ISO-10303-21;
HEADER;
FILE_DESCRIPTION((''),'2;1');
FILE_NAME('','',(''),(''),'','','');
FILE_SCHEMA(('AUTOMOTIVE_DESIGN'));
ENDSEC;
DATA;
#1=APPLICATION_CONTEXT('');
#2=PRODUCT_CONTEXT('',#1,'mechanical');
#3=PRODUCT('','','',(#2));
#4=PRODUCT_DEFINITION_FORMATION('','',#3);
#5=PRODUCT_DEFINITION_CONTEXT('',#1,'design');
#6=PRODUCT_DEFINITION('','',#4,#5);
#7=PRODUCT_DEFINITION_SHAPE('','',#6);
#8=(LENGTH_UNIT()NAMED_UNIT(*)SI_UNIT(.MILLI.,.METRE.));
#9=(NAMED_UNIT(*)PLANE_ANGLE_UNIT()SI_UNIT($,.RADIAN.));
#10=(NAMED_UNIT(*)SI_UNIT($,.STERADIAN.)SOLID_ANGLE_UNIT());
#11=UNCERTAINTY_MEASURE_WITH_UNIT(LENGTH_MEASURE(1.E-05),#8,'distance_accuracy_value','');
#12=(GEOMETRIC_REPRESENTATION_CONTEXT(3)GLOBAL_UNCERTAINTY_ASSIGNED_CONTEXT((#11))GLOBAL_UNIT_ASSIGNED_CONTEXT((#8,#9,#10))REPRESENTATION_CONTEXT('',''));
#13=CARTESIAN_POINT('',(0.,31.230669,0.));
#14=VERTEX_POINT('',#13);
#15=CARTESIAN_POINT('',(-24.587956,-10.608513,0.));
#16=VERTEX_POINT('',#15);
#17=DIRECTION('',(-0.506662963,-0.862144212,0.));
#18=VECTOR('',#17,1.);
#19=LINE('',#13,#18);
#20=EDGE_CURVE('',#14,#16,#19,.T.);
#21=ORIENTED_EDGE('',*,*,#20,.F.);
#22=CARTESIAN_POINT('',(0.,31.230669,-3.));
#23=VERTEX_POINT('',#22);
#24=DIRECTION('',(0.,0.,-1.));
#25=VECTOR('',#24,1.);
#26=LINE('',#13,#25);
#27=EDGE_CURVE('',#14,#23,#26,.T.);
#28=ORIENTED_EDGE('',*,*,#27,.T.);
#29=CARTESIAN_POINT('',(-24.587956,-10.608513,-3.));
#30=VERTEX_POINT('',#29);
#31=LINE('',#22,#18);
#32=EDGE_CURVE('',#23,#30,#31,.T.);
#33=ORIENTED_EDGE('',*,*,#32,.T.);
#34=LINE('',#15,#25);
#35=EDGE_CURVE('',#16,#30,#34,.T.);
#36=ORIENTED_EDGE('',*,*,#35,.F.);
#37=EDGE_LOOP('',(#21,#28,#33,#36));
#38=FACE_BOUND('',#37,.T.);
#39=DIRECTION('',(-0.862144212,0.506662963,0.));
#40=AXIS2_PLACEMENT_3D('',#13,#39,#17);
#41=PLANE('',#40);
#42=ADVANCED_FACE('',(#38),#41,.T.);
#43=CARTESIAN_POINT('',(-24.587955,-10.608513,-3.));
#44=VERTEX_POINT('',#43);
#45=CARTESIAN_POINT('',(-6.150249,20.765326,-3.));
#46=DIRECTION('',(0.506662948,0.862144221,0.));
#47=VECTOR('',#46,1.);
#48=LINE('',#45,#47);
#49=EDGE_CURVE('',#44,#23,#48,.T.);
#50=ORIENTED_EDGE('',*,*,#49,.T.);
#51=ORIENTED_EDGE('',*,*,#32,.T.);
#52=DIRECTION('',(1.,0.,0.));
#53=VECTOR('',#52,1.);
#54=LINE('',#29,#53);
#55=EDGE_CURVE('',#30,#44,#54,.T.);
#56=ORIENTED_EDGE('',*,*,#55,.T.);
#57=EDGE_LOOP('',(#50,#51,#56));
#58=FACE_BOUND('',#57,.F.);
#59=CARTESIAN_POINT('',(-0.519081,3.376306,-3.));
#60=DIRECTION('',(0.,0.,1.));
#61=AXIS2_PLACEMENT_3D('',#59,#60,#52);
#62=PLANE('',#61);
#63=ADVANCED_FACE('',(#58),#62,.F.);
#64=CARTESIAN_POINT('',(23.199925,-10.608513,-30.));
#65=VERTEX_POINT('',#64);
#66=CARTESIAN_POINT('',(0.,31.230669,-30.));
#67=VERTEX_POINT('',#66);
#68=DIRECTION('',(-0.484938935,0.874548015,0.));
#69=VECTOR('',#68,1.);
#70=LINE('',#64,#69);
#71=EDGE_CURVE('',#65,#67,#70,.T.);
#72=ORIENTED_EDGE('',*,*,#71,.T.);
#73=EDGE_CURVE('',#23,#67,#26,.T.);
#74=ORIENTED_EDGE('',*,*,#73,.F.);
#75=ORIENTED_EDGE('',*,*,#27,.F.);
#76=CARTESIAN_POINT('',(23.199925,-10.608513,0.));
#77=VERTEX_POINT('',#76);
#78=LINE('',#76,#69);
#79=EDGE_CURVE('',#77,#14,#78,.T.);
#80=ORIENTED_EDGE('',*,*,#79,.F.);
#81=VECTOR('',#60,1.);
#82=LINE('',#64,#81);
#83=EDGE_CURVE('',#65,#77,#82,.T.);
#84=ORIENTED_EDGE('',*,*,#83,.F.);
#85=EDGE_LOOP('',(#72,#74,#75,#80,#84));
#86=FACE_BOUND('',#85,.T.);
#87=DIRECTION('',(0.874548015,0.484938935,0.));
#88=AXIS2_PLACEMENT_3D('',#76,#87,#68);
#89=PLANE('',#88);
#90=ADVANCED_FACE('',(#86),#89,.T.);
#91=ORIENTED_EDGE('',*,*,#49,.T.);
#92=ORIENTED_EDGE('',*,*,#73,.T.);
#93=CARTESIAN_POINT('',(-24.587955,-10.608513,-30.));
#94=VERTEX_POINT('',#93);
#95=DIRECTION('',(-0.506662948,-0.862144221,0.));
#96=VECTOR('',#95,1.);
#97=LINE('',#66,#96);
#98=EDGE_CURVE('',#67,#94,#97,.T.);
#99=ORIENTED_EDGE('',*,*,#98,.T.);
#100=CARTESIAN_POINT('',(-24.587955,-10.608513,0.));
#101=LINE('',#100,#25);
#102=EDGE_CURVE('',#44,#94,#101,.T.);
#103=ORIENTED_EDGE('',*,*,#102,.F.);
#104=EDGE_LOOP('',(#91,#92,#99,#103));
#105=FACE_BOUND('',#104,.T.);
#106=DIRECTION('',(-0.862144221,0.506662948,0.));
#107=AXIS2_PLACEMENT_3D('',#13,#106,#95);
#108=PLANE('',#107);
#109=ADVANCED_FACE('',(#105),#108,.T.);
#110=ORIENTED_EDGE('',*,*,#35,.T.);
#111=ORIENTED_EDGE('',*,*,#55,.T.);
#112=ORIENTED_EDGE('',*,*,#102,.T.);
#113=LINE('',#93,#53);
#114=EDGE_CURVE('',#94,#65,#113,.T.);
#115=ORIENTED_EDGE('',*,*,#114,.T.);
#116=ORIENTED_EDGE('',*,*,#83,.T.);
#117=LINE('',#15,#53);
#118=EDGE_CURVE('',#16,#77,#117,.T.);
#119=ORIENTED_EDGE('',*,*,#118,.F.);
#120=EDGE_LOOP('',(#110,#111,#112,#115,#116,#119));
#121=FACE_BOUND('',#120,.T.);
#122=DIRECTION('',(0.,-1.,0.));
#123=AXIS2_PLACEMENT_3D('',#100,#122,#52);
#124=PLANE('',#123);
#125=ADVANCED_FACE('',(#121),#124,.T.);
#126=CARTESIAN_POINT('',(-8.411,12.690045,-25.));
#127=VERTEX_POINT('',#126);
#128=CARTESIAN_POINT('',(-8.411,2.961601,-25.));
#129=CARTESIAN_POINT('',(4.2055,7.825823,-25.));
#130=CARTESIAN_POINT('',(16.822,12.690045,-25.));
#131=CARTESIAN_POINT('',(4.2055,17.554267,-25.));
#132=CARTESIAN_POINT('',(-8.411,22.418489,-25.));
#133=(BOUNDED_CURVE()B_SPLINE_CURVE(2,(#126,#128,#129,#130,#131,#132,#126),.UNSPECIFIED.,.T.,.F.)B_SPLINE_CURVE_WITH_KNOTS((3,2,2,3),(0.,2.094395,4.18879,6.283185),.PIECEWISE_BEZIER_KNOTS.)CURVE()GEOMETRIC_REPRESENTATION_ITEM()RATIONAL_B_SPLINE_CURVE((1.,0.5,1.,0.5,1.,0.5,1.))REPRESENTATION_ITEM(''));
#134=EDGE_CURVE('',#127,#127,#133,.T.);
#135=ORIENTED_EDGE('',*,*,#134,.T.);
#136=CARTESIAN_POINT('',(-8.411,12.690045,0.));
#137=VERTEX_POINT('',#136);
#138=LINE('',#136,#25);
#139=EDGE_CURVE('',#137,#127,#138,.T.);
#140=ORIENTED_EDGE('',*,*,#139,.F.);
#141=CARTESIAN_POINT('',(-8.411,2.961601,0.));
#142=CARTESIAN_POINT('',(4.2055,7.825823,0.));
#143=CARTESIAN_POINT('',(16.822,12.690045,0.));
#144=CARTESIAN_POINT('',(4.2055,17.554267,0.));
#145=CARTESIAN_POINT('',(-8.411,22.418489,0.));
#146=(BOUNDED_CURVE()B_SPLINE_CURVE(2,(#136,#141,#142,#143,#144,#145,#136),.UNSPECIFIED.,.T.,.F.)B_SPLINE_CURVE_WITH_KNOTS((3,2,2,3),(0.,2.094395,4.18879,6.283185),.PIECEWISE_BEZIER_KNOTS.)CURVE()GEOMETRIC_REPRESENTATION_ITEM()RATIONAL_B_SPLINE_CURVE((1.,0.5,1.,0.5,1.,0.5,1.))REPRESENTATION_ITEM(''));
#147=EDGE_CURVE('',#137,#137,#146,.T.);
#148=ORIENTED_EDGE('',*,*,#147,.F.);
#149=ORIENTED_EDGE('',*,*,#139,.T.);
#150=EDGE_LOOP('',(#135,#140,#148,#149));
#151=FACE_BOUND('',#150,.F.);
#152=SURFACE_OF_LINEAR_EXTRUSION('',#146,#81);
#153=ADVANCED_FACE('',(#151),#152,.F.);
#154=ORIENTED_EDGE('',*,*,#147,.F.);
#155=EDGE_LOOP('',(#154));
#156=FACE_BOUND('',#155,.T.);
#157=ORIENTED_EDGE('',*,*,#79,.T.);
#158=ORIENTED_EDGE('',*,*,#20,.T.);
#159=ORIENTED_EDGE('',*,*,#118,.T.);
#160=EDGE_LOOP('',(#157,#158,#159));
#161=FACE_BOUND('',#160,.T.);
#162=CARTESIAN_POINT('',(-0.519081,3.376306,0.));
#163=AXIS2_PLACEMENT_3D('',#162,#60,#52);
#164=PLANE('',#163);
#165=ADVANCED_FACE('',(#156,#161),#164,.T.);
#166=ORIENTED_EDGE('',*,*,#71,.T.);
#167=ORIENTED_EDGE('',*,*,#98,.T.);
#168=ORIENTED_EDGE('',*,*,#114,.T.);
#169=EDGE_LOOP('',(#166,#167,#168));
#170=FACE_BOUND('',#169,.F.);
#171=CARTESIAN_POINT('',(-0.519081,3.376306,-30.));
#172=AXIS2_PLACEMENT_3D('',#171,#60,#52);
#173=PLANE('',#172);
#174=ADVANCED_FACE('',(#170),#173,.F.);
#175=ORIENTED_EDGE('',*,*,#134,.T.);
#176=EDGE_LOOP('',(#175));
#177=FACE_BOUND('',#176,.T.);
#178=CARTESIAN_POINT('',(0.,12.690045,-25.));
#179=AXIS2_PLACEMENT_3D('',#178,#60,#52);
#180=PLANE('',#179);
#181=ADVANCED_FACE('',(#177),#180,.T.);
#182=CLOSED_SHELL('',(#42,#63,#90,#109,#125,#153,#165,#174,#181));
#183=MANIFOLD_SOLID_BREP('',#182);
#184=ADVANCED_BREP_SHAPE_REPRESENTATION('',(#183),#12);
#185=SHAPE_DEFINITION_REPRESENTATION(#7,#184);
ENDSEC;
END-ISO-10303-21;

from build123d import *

# Parameters (mm, degrees)
F1_DEPTH = 30
F2_DEPTH = 3
F4_DEPTH = 25


with BuildPart() as f1:
    # F0 (on Top) → F1 (new body)
    with BuildSketch(Plane.XY):
        Polygon((0, 31.230669), (-24.587955, -10.608513), (23.199925, -10.608513), align=None)
    extrude(amount=-F1_DEPTH)

    # F1_face (on face) → F2 (join)
    with BuildSketch(Plane(origin=(-0.462677, 3.337881, 0), x_dir=(1, 0, 0), z_dir=(0, 0, 1))):
        Polygon((23.662602, -13.946394), (0.462677, 27.892788), (-24.125279, -13.946394), align=None)
    extrude(amount=-F2_DEPTH)

    # F3 (on face) → F4 (cut)
    with BuildSketch(Plane.XY):
        with BuildLine():
            add(Edge.make_bspline(
                [(-8.411, 12.690045), (-8.411, 2.961601), (4.2055, 7.825823), (16.822, 12.690045), (4.2055, 17.554267), (-8.411, 22.418489), (-8.411, 12.690045)],
                knots=[0, 0, 0, 2.094395, 2.094395, 4.18879, 4.18879, 6.283185, 6.283185, 6.283185], degree=2, weights=[1, 0.5, 1, 0.5, 1, 0.5, 1]))
        make_face()
    extrude(amount=-F4_DEPTH, mode=Mode.SUBTRACT)


solid = f1.part
